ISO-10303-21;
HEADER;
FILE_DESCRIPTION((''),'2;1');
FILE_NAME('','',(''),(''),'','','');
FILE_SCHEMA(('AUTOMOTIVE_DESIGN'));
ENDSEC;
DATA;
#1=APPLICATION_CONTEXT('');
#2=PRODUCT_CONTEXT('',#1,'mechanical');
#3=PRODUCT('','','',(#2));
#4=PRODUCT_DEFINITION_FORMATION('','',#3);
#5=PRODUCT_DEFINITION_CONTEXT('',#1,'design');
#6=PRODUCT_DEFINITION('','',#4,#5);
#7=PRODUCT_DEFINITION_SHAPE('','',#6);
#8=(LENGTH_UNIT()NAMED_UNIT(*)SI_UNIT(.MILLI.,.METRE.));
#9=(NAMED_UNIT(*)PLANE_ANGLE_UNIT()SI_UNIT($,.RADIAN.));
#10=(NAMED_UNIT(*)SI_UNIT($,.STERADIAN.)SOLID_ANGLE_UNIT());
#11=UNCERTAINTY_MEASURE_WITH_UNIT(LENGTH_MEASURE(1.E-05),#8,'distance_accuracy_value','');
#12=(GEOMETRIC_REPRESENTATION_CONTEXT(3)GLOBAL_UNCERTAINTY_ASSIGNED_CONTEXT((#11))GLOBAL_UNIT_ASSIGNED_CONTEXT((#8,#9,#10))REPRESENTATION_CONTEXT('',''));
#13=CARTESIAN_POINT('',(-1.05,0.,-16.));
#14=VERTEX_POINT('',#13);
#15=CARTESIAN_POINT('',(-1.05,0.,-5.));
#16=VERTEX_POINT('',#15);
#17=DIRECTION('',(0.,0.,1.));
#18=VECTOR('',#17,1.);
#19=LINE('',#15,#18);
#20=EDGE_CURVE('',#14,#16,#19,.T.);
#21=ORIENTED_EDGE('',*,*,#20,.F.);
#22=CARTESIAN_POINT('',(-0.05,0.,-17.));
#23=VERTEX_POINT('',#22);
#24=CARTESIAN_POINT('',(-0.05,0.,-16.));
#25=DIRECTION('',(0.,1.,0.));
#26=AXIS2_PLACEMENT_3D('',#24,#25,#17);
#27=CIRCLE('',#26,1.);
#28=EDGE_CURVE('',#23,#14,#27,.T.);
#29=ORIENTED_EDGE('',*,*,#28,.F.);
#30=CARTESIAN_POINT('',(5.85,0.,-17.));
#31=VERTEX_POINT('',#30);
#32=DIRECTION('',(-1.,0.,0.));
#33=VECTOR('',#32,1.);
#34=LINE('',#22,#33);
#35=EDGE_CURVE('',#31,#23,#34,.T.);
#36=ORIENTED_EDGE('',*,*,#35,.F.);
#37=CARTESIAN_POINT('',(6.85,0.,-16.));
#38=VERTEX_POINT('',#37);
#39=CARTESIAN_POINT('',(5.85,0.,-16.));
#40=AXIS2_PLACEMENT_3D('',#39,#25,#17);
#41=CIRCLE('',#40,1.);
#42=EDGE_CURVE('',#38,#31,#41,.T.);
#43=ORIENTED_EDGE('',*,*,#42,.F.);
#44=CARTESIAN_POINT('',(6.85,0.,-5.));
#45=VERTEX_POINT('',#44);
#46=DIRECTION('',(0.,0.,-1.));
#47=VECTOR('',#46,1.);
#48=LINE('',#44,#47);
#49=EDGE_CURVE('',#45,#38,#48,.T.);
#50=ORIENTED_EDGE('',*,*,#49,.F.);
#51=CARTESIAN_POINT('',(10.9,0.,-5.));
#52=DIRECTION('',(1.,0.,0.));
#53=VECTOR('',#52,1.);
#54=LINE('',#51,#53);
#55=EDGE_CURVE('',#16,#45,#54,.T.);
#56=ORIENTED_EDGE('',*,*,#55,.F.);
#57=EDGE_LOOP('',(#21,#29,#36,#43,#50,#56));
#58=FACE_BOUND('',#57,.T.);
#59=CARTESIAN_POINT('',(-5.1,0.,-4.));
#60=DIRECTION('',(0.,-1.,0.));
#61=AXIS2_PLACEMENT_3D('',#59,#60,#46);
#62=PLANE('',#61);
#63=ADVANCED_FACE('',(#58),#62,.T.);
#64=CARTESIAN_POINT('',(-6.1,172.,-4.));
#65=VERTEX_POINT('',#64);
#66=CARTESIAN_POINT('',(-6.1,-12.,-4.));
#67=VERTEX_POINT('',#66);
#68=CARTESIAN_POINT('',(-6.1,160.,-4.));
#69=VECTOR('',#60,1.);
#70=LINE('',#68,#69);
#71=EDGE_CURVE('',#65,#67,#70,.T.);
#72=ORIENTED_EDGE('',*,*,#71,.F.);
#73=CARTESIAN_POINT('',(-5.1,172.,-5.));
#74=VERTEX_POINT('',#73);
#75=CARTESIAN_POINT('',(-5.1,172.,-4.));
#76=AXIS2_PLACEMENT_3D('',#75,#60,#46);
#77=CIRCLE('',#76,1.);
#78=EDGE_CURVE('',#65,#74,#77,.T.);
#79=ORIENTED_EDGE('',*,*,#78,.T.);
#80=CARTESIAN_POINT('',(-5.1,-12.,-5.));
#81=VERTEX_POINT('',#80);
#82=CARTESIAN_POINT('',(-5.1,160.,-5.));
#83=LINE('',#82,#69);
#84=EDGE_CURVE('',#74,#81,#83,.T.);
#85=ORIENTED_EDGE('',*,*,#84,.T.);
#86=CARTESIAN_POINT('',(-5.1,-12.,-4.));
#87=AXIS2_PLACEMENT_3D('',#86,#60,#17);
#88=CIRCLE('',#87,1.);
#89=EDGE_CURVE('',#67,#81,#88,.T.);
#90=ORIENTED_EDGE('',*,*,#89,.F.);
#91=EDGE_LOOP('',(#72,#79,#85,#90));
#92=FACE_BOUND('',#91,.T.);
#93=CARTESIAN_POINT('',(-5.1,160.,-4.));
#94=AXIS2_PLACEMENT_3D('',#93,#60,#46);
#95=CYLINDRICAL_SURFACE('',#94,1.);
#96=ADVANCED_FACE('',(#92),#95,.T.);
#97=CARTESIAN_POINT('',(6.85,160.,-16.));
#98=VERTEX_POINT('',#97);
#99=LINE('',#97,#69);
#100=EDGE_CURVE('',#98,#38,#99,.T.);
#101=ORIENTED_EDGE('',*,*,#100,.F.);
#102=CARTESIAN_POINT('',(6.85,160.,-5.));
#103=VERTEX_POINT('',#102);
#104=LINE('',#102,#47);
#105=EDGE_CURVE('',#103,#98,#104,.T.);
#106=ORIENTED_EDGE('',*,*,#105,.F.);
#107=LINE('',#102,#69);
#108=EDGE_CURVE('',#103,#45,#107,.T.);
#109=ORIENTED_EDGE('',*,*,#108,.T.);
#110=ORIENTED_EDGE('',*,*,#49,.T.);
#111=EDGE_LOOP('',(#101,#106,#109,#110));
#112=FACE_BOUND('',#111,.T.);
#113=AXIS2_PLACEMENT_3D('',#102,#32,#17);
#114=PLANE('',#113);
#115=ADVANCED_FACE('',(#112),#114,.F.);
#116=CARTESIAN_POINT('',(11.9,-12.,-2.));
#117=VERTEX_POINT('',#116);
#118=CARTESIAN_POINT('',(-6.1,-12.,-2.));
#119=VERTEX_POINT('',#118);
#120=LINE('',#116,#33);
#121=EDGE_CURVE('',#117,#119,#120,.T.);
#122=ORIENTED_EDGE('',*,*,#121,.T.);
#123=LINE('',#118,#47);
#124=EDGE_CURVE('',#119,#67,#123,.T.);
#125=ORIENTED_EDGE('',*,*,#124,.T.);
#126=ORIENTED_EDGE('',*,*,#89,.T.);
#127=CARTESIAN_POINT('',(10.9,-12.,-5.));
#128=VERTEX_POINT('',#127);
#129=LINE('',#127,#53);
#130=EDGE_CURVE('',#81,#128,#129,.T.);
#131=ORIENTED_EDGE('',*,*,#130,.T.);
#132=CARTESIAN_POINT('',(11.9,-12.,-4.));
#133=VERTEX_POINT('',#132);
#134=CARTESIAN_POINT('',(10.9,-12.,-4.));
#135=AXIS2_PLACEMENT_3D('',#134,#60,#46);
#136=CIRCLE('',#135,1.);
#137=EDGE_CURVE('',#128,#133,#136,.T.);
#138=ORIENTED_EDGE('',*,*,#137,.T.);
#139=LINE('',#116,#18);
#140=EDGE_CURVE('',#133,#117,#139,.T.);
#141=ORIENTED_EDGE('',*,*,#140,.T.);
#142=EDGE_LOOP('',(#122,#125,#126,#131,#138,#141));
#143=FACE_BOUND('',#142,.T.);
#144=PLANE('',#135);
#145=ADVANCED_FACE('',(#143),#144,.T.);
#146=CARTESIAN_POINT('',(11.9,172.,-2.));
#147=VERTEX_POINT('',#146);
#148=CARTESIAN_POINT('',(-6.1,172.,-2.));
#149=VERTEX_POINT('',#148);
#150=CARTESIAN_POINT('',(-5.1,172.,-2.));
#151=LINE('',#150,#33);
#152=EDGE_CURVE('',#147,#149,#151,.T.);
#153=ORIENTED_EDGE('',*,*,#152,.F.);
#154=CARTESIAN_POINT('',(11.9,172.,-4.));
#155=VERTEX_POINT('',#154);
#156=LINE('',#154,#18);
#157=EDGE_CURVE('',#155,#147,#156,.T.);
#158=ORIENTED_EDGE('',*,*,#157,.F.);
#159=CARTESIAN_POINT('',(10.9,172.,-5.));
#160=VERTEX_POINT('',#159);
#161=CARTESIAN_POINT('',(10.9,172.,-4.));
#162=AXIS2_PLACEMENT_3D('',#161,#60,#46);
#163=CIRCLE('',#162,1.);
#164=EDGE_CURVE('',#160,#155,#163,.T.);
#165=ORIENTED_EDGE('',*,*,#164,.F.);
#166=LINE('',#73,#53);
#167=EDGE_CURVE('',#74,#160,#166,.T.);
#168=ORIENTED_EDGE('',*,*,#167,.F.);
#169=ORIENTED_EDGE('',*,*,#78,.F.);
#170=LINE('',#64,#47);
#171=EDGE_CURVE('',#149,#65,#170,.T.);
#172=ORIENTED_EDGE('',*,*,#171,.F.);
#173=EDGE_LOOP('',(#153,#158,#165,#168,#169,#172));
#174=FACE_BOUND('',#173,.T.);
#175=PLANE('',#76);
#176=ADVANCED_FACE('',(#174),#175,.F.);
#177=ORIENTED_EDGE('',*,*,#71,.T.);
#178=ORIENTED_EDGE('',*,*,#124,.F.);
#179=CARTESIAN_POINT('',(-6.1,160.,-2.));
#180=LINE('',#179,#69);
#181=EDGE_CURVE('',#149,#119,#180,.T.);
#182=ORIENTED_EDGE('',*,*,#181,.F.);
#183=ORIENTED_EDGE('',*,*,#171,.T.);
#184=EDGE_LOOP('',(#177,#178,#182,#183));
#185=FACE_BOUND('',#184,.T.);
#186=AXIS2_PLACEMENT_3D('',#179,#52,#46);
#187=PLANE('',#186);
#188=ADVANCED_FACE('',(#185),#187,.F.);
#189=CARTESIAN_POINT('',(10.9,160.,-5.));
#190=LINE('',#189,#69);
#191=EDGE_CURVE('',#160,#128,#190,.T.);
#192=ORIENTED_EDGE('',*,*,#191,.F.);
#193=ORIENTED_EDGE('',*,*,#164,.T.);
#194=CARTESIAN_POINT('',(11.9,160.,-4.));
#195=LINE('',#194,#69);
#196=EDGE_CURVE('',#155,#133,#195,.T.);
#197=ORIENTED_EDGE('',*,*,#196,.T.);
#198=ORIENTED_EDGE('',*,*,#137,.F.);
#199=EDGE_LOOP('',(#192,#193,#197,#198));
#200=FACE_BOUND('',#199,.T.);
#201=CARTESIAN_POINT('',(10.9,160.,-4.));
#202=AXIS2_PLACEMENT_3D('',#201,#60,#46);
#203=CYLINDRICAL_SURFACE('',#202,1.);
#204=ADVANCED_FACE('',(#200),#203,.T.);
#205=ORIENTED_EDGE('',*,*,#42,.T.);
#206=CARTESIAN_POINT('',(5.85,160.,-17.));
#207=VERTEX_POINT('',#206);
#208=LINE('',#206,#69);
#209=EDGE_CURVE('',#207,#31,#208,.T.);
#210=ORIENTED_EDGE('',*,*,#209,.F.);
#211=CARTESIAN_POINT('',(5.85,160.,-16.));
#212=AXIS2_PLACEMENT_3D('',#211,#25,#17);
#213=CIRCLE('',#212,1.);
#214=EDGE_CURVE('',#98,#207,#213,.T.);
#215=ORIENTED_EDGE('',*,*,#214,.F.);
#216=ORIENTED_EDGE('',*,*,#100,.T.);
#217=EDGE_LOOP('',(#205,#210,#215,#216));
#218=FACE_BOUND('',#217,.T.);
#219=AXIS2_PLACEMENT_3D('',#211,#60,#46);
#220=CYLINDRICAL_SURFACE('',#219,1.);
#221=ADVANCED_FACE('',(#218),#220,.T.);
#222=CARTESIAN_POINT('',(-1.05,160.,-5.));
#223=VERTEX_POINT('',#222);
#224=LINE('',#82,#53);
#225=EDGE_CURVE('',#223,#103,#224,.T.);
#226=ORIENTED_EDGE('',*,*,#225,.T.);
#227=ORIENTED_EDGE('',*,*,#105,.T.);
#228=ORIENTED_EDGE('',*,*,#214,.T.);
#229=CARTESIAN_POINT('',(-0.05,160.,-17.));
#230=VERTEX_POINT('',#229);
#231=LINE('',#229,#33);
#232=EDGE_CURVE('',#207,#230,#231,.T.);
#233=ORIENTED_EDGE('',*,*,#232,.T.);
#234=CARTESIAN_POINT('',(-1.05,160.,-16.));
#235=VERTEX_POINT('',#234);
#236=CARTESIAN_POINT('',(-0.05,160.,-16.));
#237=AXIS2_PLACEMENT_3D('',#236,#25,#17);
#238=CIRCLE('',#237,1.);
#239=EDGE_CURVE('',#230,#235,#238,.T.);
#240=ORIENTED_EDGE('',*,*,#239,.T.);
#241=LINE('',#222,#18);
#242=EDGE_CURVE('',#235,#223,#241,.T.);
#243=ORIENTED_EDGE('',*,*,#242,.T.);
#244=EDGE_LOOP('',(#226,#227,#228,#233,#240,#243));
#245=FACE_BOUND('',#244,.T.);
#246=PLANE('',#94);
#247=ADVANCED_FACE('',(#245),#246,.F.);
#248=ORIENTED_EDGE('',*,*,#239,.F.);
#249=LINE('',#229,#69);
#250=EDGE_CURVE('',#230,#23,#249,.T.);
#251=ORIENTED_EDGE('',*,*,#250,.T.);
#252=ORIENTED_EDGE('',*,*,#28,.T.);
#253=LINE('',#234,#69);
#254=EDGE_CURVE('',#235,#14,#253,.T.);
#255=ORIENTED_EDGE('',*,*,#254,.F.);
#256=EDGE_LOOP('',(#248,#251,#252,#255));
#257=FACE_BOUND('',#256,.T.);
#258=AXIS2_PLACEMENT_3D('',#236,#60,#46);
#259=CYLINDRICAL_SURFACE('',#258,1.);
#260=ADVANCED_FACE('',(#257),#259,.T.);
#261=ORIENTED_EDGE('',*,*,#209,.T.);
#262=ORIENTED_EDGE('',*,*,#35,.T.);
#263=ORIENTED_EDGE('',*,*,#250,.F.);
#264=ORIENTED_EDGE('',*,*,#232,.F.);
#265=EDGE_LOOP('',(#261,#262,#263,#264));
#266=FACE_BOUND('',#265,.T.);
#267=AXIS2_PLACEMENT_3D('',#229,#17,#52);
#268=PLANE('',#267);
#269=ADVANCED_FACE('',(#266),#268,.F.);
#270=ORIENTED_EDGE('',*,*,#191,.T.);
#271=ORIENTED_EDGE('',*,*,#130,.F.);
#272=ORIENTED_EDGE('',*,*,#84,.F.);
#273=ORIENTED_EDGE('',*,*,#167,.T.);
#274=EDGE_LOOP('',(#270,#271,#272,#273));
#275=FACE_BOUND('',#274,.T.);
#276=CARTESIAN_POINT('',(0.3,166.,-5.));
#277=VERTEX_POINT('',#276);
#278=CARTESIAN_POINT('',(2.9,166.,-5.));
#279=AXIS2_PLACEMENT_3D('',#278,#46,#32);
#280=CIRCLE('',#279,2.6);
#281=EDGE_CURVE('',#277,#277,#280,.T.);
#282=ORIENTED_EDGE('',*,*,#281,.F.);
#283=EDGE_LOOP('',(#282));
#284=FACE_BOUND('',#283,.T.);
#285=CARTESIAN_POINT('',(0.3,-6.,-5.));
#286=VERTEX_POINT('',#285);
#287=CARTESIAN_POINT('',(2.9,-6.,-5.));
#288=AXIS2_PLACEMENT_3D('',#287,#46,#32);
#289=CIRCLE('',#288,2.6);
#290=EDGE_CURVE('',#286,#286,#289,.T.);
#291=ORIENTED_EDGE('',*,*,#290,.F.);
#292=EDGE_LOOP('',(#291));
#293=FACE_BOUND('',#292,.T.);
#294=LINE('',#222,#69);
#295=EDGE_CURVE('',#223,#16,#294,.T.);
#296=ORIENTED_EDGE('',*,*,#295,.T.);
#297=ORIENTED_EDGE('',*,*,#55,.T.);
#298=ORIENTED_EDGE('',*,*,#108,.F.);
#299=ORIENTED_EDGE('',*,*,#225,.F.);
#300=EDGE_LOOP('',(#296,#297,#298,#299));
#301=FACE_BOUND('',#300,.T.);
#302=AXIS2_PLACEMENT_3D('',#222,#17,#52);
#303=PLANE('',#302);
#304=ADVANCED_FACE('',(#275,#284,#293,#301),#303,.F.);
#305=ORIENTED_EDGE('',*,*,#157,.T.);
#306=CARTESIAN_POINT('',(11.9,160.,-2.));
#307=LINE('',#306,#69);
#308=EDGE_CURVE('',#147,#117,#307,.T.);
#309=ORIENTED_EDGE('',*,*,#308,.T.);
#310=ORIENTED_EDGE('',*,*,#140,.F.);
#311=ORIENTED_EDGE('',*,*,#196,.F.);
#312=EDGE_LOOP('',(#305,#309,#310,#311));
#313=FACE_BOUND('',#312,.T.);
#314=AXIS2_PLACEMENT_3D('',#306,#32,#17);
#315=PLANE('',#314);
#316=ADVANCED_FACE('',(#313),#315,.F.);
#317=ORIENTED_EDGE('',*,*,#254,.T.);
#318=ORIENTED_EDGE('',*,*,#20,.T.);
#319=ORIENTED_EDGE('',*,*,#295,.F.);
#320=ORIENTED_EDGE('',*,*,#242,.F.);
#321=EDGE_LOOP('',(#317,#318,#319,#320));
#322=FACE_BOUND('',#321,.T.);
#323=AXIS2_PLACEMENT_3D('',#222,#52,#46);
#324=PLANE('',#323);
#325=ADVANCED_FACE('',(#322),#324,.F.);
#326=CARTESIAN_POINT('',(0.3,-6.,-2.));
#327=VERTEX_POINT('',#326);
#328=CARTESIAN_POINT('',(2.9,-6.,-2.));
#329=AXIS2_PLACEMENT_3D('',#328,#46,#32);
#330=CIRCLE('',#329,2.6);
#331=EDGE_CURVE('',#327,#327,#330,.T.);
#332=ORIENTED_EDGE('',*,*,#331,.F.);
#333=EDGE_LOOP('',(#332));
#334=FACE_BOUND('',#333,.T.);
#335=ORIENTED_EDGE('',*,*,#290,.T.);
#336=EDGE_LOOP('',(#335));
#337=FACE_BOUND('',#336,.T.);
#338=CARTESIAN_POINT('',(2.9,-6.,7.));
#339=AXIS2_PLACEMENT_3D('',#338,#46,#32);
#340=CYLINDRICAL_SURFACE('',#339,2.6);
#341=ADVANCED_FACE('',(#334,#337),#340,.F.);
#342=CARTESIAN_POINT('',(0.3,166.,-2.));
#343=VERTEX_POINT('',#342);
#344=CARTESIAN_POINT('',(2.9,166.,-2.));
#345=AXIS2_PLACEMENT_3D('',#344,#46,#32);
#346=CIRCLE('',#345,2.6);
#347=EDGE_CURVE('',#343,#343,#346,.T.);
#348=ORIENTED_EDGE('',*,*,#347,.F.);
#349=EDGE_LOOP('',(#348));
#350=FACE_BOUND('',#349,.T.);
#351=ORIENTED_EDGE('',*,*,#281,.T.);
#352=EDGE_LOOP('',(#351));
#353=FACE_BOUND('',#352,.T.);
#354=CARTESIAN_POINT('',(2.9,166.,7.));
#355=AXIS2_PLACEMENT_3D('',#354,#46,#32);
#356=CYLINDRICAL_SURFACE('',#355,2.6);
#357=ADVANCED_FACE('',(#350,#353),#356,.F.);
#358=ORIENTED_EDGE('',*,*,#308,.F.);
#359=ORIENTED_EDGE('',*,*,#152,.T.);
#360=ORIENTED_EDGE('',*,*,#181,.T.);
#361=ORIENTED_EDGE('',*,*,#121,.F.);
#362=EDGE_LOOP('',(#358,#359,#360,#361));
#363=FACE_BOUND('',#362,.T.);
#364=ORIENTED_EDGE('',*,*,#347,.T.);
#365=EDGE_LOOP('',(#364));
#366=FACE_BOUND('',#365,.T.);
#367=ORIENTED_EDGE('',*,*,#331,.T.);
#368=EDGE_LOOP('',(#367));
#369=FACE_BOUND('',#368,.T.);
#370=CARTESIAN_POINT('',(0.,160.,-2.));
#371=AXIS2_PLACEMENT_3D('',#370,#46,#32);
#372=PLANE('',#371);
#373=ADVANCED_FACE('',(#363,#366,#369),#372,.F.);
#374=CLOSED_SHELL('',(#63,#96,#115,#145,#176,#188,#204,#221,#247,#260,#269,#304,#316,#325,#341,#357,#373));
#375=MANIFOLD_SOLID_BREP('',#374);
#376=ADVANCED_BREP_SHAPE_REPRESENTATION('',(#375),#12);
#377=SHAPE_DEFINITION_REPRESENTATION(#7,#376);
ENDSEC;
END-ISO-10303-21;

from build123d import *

# Parameters (mm, degrees)
BOSS_EXTRUDE1_DEPTH = 160
BOSS_EXTRUDE2_START = 12
BOSS_EXTRUDE2_DEPTH = 12
BOSS_EXTRUDE3_START = -160
BOSS_EXTRUDE3_DEPTH = 12
SKETCH3_R           = 2.6
CUT_EXTRUDE1_DEPTH  = 12


with BuildPart() as part:
    # Sketch1 → Boss-Extrude1 (new body)
    with BuildSketch(Plane(origin=(0, 0, 0), x_dir=(1, 0, 0), z_dir=(0, 1, 0))):
        with BuildLine():
            Line((0, 2), (-6.1, 2))
            Line((-6.1, 2), (-6.1, 4))
            ThreePointArc((-6.1, 4), (-5.807106781, 4.707106781), (-5.1, 5))
            Line((-5.1, 5), (-1.05, 5))
            Line((-1.05, 5), (-1.05, 16))
            ThreePointArc((-1.05, 16), (-0.757106781, 16.707106781), (-0.05, 17))
            Line((-0.05, 17), (5.85, 17))
            ThreePointArc((5.85, 17), (6.557106781, 16.707106781), (6.85, 16))
            Line((6.85, 16), (6.85, 5))
            Line((6.85, 5), (10.9, 5))
            ThreePointArc((10.9, 5), (11.607106781, 4.707106781), (11.9, 4))
            Line((11.9, 4), (11.9, 2))
            Line((11.9, 2), (0, 2))
        make_face()
    extrude(amount=BOSS_EXTRUDE1_DEPTH)

    # Sketch2 → Boss-Extrude2 (add)
    with BuildSketch(Plane.XZ.offset(BOSS_EXTRUDE2_START)):
        with BuildLine():
            Line((11.9, -2), (-6.1, -2))
            Line((-6.1, -2), (-6.1, -4))
            ThreePointArc((-6.1, -4), (-5.807106781, -4.707106781), (-5.1, -5))
            Line((-5.1, -5), (10.9, -5))
            ThreePointArc((10.9, -5), (11.607106781, -4.707106781), (11.9, -4))
            Line((11.9, -4), (11.9, -2))
        make_face()
    extrude(amount=-BOSS_EXTRUDE2_DEPTH)

    # Sketch2<2> → Boss-Extrude3 (add)
    with BuildSketch(Plane.XZ.offset(BOSS_EXTRUDE3_START)):
        with BuildLine():
            Line((11.9, -2), (-6.1, -2))
            Line((-6.1, -2), (-6.1, -4))
            ThreePointArc((-6.1, -4), (-5.807106781, -4.707106781), (-5.1, -5))
            Line((-5.1, -5), (10.9, -5))
            ThreePointArc((10.9, -5), (11.607106781, -4.707106781), (11.9, -4))
            Line((11.9, -4), (11.9, -2))
        make_face()
    extrude(amount=-BOSS_EXTRUDE3_DEPTH)

    # Sketch3 → Cut-Extrude1 (cut)
    with BuildSketch(Plane(origin=(0, 0, -5), x_dir=(-1, 0, 0), z_dir=(0, 0, -1))):
        with Locations((-2.9, 166)):
            Circle(SKETCH3_R)
        with Locations((-2.9, -6)):
            Circle(SKETCH3_R)
    extrude(amount=-CUT_EXTRUDE1_DEPTH, mode=Mode.SUBTRACT)


solid = part.part
